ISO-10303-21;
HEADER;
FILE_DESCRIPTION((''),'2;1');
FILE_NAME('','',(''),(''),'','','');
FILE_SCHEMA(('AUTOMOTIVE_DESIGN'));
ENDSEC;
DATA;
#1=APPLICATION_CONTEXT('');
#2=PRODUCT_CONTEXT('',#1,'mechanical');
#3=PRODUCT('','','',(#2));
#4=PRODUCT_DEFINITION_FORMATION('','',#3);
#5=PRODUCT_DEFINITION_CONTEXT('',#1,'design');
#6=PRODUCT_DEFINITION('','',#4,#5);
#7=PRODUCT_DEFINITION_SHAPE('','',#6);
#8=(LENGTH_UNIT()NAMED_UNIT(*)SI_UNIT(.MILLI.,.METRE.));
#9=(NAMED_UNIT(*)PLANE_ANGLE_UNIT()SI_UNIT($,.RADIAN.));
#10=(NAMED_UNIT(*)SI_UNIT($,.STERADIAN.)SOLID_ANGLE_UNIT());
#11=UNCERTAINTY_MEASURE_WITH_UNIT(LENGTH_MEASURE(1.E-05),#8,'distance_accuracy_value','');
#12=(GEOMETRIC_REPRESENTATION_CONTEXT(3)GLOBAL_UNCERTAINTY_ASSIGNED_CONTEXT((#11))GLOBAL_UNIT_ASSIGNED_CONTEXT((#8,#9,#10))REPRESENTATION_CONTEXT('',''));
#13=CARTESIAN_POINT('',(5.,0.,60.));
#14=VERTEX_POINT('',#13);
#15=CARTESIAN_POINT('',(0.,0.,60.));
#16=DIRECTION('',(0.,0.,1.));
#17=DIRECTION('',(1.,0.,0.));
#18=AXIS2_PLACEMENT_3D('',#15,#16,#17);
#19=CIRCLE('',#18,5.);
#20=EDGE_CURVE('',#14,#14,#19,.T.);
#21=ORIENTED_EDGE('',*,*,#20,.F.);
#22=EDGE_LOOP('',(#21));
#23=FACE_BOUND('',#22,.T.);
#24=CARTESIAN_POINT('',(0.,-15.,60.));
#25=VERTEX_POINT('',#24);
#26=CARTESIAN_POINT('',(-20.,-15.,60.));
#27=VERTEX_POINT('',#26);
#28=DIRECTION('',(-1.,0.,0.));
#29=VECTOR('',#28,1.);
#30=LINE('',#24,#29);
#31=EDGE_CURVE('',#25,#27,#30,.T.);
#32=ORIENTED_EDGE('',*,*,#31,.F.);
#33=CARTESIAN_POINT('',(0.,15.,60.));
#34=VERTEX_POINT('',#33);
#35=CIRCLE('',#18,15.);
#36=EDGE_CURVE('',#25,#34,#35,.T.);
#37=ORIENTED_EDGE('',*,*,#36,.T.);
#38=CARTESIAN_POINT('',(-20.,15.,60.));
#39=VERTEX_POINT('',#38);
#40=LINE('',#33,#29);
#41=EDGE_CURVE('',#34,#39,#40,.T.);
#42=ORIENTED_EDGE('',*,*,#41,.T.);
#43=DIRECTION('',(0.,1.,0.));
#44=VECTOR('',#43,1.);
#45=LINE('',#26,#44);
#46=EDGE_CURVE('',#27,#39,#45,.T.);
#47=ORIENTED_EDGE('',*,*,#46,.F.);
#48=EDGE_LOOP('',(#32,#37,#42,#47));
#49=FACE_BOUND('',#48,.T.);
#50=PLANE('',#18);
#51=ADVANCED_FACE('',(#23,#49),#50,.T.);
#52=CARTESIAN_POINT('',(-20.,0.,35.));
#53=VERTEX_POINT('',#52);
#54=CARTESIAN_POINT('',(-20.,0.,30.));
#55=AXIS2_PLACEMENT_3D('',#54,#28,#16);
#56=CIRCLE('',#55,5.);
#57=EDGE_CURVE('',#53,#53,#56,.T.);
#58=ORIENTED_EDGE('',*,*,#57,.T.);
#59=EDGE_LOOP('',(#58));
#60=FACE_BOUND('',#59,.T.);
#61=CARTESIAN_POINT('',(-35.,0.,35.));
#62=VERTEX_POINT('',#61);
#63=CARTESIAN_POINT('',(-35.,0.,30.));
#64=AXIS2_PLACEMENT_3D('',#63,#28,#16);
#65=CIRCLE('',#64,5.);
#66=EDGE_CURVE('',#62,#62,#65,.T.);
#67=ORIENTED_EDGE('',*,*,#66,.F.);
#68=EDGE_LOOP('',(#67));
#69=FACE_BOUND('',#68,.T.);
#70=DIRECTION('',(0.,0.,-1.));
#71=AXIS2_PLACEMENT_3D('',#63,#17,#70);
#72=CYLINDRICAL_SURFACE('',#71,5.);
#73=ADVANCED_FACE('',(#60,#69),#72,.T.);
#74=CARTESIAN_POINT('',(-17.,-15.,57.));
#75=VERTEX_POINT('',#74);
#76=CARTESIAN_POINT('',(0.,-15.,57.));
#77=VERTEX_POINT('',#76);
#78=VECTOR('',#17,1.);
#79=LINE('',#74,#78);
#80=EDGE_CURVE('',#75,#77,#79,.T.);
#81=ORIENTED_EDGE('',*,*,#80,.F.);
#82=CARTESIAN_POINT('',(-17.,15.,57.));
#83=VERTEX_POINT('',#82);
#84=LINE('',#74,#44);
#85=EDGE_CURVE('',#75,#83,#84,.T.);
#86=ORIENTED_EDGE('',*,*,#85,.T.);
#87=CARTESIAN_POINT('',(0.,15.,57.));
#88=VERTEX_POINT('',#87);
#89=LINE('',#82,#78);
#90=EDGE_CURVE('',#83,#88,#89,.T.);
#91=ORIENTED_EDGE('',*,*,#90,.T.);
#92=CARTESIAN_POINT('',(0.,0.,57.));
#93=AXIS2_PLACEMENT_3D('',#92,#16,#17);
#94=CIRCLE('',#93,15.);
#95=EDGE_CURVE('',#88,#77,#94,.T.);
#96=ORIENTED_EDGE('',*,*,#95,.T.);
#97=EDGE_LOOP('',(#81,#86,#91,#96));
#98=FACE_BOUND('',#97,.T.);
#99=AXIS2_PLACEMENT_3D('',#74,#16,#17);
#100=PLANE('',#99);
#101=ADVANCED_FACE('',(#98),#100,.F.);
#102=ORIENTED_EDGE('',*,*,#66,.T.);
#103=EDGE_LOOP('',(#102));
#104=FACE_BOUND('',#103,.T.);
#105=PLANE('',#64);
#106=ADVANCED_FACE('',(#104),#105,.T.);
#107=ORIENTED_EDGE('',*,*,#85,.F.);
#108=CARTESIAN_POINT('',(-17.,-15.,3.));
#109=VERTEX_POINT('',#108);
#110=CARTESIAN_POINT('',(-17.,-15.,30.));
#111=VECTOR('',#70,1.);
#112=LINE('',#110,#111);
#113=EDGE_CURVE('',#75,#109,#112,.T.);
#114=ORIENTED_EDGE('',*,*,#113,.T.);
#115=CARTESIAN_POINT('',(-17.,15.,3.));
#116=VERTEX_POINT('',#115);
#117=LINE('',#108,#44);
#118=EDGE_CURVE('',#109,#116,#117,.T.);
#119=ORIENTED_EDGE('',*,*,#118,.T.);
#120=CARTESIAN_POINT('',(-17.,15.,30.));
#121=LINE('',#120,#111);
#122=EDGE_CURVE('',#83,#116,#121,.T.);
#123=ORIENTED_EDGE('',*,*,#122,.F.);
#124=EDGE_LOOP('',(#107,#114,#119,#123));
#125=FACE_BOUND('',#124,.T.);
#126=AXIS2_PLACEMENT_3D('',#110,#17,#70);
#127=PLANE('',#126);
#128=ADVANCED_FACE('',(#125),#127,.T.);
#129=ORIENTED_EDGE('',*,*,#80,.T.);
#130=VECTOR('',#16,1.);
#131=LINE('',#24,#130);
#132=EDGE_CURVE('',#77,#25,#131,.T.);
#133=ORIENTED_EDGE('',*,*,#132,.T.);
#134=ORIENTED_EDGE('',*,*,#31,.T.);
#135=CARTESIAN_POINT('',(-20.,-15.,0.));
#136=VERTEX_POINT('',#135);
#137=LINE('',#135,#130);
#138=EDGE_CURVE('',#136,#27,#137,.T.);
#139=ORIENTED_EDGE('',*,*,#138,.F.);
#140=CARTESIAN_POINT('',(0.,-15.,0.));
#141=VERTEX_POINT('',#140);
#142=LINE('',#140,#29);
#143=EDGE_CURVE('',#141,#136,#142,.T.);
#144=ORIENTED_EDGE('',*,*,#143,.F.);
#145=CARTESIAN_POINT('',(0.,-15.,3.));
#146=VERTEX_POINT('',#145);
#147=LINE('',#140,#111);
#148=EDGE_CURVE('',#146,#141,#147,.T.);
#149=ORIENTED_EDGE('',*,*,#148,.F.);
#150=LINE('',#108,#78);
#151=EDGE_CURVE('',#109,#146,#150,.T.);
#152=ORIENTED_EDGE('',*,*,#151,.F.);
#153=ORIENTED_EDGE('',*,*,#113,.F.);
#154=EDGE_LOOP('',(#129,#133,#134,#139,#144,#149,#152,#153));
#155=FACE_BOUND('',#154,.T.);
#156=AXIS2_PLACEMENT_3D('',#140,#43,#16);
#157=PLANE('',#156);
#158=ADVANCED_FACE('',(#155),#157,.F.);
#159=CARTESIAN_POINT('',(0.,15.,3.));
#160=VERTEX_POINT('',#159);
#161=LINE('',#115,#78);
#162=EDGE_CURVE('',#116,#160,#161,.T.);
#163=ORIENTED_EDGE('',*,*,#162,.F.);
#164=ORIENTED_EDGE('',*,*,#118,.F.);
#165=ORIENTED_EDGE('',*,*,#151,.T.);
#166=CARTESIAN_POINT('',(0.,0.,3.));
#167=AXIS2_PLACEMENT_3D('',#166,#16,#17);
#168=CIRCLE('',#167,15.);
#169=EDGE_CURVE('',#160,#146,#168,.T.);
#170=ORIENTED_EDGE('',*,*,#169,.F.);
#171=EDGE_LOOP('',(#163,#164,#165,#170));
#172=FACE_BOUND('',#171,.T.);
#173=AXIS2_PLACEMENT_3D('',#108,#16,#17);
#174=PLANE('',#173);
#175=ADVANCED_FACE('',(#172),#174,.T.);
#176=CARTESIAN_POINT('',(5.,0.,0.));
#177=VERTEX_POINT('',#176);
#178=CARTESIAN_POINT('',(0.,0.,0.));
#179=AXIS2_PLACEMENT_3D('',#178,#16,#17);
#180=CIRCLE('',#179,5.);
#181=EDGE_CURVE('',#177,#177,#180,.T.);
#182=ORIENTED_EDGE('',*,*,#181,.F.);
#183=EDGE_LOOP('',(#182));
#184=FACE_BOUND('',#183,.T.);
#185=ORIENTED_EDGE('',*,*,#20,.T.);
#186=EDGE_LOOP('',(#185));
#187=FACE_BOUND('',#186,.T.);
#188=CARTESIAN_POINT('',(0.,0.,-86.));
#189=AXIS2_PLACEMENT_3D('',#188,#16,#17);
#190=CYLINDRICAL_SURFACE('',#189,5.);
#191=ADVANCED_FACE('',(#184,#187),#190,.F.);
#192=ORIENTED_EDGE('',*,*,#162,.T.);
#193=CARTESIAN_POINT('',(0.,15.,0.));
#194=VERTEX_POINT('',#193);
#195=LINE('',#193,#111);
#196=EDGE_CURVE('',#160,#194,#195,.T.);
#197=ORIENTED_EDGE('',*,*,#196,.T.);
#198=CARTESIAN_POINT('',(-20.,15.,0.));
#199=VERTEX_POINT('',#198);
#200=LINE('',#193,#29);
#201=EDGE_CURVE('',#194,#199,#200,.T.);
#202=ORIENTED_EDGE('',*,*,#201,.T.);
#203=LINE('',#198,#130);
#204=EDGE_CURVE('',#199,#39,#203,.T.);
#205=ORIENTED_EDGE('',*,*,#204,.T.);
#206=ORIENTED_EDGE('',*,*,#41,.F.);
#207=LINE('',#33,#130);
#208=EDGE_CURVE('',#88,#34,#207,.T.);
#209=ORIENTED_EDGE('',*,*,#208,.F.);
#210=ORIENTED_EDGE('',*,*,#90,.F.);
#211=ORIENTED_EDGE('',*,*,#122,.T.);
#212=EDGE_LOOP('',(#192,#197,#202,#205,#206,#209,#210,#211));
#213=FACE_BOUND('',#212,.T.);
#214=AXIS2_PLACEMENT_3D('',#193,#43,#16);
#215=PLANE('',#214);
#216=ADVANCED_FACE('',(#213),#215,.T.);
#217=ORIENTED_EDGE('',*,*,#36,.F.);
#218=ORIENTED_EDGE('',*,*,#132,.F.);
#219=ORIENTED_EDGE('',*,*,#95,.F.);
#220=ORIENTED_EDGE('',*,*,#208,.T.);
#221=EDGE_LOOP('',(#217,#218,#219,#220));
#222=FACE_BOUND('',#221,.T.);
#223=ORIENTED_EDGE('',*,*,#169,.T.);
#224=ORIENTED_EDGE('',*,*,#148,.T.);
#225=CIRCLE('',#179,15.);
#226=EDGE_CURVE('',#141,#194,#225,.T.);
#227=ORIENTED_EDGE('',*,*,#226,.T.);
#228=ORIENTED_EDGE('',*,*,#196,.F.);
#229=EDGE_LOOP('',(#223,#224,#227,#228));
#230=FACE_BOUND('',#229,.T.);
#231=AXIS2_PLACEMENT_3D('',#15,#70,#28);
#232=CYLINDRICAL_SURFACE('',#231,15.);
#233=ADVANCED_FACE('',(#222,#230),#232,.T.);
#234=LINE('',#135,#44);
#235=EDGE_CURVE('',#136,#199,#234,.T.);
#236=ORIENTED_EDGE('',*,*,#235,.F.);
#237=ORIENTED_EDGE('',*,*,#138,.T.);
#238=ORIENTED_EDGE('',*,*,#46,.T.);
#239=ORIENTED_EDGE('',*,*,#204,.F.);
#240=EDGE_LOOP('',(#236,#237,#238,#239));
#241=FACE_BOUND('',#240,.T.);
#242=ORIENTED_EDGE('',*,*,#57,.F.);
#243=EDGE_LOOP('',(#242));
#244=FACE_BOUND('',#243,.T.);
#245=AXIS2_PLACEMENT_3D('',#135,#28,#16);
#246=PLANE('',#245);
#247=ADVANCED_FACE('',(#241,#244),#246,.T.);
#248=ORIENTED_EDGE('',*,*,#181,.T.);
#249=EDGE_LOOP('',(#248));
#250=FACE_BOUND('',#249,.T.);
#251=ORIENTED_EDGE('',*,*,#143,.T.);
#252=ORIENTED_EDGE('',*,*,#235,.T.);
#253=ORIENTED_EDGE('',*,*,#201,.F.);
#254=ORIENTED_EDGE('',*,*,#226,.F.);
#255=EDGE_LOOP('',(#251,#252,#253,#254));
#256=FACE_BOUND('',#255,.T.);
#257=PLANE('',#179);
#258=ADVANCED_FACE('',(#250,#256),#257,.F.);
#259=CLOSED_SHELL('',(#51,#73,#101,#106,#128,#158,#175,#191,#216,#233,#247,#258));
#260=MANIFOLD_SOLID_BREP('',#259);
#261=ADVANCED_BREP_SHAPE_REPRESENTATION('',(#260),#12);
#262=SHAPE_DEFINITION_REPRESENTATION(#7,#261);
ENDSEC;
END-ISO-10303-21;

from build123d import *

# Parameters (mm, degrees)
SKETCH1_R           = 15
BOSS_EXTRUDE1_DEPTH = 60
BOSS_EXTRUDE2_DEPTH = 15
SKETCH3_R           = 5
BOSS_EXTRUDE3_DEPTH = 15
SKETCH4_R           = 5
CUT_EXTRUDE1_DEPTH  = 146


with BuildPart() as part:
    # Sketch1 → Boss-Extrude1 (new body)
    with BuildSketch(Plane.XY):
        Circle(SKETCH1_R)
    extrude(amount=BOSS_EXTRUDE1_DEPTH)

    # Sketch2 → Boss-Extrude2 (add, symmetric)
    with BuildSketch(Plane(origin=(0, 0, 0), x_dir=(1, 0, 0), z_dir=(0, 1, 0))):
        Polygon((0, 0), (-20, 0), (-20, -30), (-17, -30), (-17, -3), (0, -3), align=None)
    boss_extrude2 = extrude(amount=BOSS_EXTRUDE2_DEPTH, both=True)

    # Mirror1: Boss-Extrude2 across plane
    add(boss_extrude2.mirror(Plane(origin=(-17, -15, 30), x_dir=(1, 0, 0), z_dir=(0, 0, 1))))

    # Sketch3 → Boss-Extrude3 (add)
    with BuildSketch(Plane.ZY.offset(20)):
        with Locations((30, 0)):
            Circle(SKETCH3_R)
    extrude(amount=BOSS_EXTRUDE3_DEPTH)

    # Sketch4 → Cut-Extrude1 (cut)
    with BuildSketch(Plane.XY.offset(60)):
        Circle(SKETCH4_R)
    extrude(amount=-CUT_EXTRUDE1_DEPTH, mode=Mode.SUBTRACT)


solid = part.part
